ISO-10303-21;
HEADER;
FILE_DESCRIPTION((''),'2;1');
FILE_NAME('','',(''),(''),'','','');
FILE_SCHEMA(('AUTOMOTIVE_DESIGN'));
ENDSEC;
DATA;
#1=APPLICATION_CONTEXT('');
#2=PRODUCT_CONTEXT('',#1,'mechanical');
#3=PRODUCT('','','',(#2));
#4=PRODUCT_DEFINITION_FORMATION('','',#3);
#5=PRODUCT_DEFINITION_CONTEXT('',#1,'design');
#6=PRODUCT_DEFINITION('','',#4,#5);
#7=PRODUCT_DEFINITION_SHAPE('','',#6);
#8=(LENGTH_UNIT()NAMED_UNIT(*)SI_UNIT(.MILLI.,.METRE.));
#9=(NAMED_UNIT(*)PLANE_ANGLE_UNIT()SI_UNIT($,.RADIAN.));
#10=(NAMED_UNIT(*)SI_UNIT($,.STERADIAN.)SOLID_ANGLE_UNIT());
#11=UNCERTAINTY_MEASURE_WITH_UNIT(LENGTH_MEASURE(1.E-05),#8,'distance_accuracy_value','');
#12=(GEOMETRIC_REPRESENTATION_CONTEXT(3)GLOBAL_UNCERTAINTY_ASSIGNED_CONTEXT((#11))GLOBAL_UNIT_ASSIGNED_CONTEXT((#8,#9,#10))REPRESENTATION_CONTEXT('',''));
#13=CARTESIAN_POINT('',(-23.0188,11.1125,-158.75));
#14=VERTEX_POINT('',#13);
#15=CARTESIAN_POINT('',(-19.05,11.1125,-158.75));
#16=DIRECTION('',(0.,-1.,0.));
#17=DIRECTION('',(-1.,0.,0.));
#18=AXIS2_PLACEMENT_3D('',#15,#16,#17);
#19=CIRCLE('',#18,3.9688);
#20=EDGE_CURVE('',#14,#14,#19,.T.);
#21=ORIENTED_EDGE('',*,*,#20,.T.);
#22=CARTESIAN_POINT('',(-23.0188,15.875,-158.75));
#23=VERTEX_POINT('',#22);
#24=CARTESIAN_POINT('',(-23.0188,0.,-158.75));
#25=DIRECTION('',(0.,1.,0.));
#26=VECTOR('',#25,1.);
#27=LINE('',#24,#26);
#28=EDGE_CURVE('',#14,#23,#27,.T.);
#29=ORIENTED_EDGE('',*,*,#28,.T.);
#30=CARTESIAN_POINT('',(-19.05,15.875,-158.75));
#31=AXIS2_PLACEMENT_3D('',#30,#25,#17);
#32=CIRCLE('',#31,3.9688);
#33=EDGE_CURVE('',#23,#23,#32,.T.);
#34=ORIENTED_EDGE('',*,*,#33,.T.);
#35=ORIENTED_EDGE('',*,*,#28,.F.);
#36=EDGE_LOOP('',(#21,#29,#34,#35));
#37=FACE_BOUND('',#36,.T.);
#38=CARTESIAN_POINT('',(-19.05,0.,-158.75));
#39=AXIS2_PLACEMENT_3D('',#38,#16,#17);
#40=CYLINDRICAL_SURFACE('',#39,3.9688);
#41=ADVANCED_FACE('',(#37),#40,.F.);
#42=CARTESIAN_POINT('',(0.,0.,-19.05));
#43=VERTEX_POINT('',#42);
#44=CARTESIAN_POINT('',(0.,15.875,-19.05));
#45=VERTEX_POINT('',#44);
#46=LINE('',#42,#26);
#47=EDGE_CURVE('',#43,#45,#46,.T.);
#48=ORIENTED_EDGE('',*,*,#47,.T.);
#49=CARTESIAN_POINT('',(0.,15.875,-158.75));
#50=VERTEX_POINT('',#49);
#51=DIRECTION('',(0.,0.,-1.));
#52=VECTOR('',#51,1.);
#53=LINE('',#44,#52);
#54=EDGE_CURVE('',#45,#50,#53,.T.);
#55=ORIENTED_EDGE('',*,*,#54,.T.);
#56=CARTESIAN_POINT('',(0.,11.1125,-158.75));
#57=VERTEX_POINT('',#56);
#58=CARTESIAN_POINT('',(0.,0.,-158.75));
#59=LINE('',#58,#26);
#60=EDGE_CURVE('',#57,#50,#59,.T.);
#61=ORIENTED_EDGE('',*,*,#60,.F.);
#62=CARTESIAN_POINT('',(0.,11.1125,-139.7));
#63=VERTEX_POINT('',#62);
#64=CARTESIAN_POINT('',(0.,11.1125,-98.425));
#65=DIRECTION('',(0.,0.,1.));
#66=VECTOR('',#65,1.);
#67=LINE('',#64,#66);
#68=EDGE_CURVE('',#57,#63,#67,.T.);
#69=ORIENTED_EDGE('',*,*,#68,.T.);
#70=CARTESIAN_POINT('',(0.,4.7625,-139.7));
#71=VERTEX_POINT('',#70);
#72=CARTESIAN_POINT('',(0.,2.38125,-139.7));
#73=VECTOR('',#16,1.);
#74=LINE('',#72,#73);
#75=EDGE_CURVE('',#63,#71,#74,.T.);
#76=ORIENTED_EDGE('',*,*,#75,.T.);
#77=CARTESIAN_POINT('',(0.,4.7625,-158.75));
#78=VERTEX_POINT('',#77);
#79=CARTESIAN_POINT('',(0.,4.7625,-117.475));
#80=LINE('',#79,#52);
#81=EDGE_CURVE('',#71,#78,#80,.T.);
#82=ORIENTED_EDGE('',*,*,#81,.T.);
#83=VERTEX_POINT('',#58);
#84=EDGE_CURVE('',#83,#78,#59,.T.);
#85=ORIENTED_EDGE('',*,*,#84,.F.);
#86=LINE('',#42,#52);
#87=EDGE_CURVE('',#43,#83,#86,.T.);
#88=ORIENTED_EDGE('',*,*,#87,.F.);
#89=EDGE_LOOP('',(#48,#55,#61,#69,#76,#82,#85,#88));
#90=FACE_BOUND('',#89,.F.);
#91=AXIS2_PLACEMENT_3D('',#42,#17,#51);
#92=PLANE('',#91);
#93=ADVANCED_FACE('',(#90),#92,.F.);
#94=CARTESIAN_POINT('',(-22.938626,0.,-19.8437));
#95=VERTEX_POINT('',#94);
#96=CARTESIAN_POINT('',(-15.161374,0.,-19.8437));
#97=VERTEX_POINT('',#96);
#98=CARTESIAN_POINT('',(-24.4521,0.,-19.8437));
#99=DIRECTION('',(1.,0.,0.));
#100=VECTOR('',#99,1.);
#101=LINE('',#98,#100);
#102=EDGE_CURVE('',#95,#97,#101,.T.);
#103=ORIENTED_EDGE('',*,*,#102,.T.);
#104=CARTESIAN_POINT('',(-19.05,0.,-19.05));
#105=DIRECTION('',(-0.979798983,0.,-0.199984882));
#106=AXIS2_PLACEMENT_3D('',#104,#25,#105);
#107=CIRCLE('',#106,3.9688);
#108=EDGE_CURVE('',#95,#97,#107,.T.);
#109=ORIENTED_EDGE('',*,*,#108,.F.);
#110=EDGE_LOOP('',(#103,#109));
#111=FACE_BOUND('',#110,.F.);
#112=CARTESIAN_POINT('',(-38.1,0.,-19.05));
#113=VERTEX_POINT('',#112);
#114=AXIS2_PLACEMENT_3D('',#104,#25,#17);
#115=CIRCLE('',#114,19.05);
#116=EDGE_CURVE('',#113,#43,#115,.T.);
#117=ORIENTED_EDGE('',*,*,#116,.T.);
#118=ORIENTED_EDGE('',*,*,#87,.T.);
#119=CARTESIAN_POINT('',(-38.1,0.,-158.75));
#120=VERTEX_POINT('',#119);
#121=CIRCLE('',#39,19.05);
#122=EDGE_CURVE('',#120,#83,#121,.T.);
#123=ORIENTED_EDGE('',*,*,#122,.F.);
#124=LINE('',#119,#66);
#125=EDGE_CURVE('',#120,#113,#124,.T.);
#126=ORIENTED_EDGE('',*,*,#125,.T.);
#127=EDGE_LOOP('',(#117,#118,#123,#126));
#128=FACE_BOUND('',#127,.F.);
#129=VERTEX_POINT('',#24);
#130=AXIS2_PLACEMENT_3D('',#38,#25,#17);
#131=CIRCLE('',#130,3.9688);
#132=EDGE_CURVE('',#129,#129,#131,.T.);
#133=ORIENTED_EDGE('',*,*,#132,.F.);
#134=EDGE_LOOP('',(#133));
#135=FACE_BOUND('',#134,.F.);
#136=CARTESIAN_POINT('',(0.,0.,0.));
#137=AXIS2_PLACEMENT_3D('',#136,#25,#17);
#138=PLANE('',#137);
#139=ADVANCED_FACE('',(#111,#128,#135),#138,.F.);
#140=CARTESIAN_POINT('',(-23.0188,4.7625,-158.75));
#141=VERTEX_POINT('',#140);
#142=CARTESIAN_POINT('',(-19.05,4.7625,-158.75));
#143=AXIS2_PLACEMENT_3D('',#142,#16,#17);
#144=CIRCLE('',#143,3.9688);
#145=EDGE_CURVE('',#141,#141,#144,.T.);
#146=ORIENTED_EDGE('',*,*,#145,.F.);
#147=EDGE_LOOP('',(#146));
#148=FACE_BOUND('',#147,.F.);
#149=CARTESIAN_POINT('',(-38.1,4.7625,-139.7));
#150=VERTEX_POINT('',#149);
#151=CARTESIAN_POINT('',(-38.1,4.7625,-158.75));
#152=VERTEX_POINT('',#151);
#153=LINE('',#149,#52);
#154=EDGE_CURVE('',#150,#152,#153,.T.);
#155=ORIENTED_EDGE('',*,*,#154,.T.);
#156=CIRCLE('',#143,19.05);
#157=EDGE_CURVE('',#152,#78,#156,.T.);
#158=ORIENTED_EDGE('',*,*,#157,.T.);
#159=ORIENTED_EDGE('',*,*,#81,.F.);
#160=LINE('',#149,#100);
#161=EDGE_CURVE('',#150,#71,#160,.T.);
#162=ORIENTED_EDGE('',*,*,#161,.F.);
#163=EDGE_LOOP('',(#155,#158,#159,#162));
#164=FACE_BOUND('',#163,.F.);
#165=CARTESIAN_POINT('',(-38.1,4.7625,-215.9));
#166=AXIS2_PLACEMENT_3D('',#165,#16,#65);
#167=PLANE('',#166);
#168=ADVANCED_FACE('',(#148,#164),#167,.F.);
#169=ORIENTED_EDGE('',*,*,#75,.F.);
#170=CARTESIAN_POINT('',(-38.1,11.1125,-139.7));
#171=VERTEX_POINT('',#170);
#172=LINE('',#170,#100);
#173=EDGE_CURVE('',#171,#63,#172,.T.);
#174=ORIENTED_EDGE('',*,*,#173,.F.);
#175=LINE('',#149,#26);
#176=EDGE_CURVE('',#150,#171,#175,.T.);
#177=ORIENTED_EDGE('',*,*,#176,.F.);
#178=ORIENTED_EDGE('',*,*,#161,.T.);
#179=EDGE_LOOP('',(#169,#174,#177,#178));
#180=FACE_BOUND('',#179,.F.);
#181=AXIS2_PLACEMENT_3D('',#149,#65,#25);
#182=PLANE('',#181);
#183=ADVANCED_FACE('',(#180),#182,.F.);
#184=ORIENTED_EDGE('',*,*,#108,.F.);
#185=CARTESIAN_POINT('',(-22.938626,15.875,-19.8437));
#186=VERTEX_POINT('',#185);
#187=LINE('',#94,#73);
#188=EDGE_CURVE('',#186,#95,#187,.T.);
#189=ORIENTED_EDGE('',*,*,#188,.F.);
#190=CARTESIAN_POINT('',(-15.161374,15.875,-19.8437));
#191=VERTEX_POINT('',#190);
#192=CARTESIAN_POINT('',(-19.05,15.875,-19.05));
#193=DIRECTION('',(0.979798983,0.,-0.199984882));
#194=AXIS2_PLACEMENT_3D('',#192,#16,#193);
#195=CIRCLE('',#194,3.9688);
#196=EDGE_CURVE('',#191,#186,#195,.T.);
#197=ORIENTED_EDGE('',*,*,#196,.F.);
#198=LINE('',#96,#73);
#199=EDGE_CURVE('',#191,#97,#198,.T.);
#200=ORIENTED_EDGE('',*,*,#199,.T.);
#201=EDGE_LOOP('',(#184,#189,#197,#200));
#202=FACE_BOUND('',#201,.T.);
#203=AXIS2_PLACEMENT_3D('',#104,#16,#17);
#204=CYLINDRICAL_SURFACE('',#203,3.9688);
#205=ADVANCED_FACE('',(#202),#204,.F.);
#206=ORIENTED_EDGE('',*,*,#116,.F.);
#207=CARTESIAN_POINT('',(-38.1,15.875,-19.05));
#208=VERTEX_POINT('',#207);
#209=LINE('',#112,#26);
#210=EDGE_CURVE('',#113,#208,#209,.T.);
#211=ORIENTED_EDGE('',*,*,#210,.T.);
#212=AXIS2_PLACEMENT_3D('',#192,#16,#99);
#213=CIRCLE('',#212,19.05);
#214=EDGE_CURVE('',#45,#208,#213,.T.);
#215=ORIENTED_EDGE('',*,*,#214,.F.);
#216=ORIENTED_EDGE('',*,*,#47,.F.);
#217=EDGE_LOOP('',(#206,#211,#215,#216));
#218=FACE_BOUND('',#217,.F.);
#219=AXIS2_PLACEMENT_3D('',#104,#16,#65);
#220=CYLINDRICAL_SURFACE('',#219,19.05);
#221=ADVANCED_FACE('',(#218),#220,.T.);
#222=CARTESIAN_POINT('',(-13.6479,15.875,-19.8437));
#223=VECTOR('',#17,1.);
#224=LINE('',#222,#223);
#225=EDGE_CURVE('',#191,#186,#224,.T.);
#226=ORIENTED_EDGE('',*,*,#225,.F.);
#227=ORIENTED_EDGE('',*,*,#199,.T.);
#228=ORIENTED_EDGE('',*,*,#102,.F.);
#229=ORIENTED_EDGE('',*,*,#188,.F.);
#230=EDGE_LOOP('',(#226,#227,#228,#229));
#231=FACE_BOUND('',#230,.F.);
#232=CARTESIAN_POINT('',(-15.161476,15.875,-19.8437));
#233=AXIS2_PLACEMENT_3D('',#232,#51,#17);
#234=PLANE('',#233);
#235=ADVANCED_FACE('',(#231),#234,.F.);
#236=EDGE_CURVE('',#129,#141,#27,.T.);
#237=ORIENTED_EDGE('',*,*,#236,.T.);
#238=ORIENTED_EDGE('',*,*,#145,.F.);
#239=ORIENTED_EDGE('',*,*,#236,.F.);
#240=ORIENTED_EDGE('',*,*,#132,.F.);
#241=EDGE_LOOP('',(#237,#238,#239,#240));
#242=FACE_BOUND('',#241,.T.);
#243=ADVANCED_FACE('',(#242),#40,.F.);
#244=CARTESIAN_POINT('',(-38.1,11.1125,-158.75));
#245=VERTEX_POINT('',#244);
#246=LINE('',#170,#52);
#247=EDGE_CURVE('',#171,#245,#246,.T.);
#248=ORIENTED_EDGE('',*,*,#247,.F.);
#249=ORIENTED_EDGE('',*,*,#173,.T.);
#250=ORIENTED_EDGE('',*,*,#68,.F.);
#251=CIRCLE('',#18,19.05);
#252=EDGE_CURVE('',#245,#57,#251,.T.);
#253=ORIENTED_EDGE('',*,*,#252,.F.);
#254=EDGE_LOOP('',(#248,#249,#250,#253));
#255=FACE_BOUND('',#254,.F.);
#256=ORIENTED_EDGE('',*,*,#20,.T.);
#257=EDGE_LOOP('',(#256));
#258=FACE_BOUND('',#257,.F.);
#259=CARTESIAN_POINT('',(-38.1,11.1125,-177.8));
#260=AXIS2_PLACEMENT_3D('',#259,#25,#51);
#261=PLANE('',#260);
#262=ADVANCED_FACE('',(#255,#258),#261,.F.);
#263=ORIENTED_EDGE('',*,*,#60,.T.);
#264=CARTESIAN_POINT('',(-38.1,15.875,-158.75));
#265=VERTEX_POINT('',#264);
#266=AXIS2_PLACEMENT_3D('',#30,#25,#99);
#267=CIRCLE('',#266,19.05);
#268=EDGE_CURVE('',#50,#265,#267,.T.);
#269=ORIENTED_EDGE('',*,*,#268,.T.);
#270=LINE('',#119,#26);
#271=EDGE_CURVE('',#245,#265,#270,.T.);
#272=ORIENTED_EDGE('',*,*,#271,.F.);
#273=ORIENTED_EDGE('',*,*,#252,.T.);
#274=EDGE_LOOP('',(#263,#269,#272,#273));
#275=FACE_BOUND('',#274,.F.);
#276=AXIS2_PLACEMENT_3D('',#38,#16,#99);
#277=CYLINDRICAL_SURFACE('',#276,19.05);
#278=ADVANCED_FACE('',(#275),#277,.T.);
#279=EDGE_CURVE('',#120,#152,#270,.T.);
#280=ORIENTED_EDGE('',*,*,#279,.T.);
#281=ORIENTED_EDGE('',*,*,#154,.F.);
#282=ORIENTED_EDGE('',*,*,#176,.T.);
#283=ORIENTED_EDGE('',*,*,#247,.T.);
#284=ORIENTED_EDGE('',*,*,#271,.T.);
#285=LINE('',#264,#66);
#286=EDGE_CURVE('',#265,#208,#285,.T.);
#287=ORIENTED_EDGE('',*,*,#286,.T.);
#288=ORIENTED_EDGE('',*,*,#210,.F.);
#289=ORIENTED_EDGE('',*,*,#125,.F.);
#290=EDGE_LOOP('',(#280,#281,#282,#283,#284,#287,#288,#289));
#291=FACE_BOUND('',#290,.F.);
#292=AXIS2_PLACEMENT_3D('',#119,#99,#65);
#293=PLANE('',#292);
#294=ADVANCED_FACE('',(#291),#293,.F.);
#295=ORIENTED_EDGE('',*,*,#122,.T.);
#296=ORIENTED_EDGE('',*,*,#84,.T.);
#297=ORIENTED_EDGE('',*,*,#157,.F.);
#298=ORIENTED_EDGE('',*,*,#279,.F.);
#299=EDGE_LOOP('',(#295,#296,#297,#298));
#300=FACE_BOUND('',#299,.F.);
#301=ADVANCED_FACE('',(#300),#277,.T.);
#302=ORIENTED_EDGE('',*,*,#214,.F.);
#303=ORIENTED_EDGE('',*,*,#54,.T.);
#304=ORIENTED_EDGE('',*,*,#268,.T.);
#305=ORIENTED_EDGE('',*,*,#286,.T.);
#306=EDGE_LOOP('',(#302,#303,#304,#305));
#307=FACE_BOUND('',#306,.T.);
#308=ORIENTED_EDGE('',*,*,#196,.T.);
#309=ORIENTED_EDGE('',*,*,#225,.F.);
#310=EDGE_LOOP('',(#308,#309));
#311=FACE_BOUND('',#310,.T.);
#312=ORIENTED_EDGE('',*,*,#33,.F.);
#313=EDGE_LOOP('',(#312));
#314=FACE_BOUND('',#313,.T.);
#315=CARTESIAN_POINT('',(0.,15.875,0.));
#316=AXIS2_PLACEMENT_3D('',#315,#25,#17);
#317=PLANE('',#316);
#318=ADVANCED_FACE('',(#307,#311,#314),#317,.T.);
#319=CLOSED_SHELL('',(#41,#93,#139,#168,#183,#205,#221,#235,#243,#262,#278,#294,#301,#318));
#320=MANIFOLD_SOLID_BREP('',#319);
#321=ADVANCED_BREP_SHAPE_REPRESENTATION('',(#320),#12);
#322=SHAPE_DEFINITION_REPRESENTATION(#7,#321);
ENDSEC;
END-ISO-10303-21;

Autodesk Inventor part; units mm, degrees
ref_plane "YZ Plane" through (0, 0, 0) normal (1, 0, 0) x (0, 1, 0)
ref_plane "XZ Plane" through (0, 0, 0) normal (0, 1, 0) x (-1, 0, 0)
ref_plane "XY Plane" through (0, 0, 0) normal (0, 0, 1) x (1, 0, 0)
sketch "Sketch1" plane through (0, 0, 0) normal (0, 1, 0) x (-1, 0, 0)
  line L0 (0, -19.05) -> (0, -158.75)
  line L1 (19.05, -177.8) -> (19.05, -177.8)
  line L2 (38.1, -158.75) -> (38.1, -19.05)
  line L3 (19.05, 0) -> (19.05, 0)
  arc A0 (0, -158.75) -> (19.05, -177.8) centre (19.05, -158.75) ccw
  arc A1 (19.05, -177.8) -> (38.1, -158.75) centre (19.05, -158.75) ccw
  arc A2 (38.1, -19.05) -> (19.05, 0) centre (19.05, -19.05) ccw
  arc A3 (19.05, 0) -> (0, -19.05) centre (19.05, -19.05) ccw
  circle A4 centre (19.05, -19.05) radius 3.9688
  circle A5 centre (19.05, -158.75) radius 3.9688
  point P0 (0, 0)
  point P1 (0, -177.8)
  point P2 (38.1, -177.8)
  dimension "d0" = 38.1
  dimension "LengthOfArm_Thiner" = 177.8
  dimension "d2" = 19.05
  dimension "Motor_Shaft_Diameter" = 7.9375
  dimension "d4" = 7.9375
extrude "Extrusion1" add sketch "Sketch1" along normal blind 15.875
sketch "Sketch2" plane through (-38.1, 0, -158.75) normal (-1, 0, 0) x (0, 0, 1)
  line L0 (-19.05, 0) -> (-19.05, 15.875) projected
  line L1 (-57.15, 4.7625) -> (19.05, 4.7625)
  line L2 (19.05, 4.7625) -> (19.05, 11.1125)
  line L3 (19.05, 11.1125) -> (-57.15, 11.1125)
  line L4 (-57.15, 11.1125) -> (-57.15, 4.7625)
  line L5 (-57.15, 4.7625) -> (19.05, 11.1125) construction
  line L6 (19.05, 4.7625) -> (-57.15, 11.1125) construction
  point P0 (158.75, 0)
  point P1 (-19.05, 7.9375)
  dimension "d7" = 6.35
  dimension "d8" = 38.1
extrude "Extrusion2" cut sketch "Sketch2" against normal up to next
sketch "Sketch3" plane through (0, 15.875, 0) normal (0, 1, 0) x (1, 0, 0)
  circle A0 centre (-19.05, 19.05) radius 3.9687 projected
  line L0 (-24.4521, 26.1937) -> (-13.6479, 26.1937)
  line L1 (-13.6479, 26.1937) -> (-13.6479, 19.8437)
  line L2 (-13.6479, 19.8437) -> (-24.4521, 19.8437)
  line L3 (-24.4521, 19.8437) -> (-24.4521, 26.1937)
  line L4 (-24.4521, 26.1937) -> (-13.6479, 19.8437) construction
  line L5 (-13.6479, 26.1937) -> (-24.4521, 19.8437) construction
  point P0 (0, 0)
  point P1 (-19.05, 23.0187)
  dimension "d11" = 6.35
extrude "Extrusion3" add sketch "Sketch3" against normal up to surface (15.875 mm away) contours L2 A0 | A0 L2 L3 L0 L1 picked at (-18.8857, 21.5143)
properties part number "Arm"
